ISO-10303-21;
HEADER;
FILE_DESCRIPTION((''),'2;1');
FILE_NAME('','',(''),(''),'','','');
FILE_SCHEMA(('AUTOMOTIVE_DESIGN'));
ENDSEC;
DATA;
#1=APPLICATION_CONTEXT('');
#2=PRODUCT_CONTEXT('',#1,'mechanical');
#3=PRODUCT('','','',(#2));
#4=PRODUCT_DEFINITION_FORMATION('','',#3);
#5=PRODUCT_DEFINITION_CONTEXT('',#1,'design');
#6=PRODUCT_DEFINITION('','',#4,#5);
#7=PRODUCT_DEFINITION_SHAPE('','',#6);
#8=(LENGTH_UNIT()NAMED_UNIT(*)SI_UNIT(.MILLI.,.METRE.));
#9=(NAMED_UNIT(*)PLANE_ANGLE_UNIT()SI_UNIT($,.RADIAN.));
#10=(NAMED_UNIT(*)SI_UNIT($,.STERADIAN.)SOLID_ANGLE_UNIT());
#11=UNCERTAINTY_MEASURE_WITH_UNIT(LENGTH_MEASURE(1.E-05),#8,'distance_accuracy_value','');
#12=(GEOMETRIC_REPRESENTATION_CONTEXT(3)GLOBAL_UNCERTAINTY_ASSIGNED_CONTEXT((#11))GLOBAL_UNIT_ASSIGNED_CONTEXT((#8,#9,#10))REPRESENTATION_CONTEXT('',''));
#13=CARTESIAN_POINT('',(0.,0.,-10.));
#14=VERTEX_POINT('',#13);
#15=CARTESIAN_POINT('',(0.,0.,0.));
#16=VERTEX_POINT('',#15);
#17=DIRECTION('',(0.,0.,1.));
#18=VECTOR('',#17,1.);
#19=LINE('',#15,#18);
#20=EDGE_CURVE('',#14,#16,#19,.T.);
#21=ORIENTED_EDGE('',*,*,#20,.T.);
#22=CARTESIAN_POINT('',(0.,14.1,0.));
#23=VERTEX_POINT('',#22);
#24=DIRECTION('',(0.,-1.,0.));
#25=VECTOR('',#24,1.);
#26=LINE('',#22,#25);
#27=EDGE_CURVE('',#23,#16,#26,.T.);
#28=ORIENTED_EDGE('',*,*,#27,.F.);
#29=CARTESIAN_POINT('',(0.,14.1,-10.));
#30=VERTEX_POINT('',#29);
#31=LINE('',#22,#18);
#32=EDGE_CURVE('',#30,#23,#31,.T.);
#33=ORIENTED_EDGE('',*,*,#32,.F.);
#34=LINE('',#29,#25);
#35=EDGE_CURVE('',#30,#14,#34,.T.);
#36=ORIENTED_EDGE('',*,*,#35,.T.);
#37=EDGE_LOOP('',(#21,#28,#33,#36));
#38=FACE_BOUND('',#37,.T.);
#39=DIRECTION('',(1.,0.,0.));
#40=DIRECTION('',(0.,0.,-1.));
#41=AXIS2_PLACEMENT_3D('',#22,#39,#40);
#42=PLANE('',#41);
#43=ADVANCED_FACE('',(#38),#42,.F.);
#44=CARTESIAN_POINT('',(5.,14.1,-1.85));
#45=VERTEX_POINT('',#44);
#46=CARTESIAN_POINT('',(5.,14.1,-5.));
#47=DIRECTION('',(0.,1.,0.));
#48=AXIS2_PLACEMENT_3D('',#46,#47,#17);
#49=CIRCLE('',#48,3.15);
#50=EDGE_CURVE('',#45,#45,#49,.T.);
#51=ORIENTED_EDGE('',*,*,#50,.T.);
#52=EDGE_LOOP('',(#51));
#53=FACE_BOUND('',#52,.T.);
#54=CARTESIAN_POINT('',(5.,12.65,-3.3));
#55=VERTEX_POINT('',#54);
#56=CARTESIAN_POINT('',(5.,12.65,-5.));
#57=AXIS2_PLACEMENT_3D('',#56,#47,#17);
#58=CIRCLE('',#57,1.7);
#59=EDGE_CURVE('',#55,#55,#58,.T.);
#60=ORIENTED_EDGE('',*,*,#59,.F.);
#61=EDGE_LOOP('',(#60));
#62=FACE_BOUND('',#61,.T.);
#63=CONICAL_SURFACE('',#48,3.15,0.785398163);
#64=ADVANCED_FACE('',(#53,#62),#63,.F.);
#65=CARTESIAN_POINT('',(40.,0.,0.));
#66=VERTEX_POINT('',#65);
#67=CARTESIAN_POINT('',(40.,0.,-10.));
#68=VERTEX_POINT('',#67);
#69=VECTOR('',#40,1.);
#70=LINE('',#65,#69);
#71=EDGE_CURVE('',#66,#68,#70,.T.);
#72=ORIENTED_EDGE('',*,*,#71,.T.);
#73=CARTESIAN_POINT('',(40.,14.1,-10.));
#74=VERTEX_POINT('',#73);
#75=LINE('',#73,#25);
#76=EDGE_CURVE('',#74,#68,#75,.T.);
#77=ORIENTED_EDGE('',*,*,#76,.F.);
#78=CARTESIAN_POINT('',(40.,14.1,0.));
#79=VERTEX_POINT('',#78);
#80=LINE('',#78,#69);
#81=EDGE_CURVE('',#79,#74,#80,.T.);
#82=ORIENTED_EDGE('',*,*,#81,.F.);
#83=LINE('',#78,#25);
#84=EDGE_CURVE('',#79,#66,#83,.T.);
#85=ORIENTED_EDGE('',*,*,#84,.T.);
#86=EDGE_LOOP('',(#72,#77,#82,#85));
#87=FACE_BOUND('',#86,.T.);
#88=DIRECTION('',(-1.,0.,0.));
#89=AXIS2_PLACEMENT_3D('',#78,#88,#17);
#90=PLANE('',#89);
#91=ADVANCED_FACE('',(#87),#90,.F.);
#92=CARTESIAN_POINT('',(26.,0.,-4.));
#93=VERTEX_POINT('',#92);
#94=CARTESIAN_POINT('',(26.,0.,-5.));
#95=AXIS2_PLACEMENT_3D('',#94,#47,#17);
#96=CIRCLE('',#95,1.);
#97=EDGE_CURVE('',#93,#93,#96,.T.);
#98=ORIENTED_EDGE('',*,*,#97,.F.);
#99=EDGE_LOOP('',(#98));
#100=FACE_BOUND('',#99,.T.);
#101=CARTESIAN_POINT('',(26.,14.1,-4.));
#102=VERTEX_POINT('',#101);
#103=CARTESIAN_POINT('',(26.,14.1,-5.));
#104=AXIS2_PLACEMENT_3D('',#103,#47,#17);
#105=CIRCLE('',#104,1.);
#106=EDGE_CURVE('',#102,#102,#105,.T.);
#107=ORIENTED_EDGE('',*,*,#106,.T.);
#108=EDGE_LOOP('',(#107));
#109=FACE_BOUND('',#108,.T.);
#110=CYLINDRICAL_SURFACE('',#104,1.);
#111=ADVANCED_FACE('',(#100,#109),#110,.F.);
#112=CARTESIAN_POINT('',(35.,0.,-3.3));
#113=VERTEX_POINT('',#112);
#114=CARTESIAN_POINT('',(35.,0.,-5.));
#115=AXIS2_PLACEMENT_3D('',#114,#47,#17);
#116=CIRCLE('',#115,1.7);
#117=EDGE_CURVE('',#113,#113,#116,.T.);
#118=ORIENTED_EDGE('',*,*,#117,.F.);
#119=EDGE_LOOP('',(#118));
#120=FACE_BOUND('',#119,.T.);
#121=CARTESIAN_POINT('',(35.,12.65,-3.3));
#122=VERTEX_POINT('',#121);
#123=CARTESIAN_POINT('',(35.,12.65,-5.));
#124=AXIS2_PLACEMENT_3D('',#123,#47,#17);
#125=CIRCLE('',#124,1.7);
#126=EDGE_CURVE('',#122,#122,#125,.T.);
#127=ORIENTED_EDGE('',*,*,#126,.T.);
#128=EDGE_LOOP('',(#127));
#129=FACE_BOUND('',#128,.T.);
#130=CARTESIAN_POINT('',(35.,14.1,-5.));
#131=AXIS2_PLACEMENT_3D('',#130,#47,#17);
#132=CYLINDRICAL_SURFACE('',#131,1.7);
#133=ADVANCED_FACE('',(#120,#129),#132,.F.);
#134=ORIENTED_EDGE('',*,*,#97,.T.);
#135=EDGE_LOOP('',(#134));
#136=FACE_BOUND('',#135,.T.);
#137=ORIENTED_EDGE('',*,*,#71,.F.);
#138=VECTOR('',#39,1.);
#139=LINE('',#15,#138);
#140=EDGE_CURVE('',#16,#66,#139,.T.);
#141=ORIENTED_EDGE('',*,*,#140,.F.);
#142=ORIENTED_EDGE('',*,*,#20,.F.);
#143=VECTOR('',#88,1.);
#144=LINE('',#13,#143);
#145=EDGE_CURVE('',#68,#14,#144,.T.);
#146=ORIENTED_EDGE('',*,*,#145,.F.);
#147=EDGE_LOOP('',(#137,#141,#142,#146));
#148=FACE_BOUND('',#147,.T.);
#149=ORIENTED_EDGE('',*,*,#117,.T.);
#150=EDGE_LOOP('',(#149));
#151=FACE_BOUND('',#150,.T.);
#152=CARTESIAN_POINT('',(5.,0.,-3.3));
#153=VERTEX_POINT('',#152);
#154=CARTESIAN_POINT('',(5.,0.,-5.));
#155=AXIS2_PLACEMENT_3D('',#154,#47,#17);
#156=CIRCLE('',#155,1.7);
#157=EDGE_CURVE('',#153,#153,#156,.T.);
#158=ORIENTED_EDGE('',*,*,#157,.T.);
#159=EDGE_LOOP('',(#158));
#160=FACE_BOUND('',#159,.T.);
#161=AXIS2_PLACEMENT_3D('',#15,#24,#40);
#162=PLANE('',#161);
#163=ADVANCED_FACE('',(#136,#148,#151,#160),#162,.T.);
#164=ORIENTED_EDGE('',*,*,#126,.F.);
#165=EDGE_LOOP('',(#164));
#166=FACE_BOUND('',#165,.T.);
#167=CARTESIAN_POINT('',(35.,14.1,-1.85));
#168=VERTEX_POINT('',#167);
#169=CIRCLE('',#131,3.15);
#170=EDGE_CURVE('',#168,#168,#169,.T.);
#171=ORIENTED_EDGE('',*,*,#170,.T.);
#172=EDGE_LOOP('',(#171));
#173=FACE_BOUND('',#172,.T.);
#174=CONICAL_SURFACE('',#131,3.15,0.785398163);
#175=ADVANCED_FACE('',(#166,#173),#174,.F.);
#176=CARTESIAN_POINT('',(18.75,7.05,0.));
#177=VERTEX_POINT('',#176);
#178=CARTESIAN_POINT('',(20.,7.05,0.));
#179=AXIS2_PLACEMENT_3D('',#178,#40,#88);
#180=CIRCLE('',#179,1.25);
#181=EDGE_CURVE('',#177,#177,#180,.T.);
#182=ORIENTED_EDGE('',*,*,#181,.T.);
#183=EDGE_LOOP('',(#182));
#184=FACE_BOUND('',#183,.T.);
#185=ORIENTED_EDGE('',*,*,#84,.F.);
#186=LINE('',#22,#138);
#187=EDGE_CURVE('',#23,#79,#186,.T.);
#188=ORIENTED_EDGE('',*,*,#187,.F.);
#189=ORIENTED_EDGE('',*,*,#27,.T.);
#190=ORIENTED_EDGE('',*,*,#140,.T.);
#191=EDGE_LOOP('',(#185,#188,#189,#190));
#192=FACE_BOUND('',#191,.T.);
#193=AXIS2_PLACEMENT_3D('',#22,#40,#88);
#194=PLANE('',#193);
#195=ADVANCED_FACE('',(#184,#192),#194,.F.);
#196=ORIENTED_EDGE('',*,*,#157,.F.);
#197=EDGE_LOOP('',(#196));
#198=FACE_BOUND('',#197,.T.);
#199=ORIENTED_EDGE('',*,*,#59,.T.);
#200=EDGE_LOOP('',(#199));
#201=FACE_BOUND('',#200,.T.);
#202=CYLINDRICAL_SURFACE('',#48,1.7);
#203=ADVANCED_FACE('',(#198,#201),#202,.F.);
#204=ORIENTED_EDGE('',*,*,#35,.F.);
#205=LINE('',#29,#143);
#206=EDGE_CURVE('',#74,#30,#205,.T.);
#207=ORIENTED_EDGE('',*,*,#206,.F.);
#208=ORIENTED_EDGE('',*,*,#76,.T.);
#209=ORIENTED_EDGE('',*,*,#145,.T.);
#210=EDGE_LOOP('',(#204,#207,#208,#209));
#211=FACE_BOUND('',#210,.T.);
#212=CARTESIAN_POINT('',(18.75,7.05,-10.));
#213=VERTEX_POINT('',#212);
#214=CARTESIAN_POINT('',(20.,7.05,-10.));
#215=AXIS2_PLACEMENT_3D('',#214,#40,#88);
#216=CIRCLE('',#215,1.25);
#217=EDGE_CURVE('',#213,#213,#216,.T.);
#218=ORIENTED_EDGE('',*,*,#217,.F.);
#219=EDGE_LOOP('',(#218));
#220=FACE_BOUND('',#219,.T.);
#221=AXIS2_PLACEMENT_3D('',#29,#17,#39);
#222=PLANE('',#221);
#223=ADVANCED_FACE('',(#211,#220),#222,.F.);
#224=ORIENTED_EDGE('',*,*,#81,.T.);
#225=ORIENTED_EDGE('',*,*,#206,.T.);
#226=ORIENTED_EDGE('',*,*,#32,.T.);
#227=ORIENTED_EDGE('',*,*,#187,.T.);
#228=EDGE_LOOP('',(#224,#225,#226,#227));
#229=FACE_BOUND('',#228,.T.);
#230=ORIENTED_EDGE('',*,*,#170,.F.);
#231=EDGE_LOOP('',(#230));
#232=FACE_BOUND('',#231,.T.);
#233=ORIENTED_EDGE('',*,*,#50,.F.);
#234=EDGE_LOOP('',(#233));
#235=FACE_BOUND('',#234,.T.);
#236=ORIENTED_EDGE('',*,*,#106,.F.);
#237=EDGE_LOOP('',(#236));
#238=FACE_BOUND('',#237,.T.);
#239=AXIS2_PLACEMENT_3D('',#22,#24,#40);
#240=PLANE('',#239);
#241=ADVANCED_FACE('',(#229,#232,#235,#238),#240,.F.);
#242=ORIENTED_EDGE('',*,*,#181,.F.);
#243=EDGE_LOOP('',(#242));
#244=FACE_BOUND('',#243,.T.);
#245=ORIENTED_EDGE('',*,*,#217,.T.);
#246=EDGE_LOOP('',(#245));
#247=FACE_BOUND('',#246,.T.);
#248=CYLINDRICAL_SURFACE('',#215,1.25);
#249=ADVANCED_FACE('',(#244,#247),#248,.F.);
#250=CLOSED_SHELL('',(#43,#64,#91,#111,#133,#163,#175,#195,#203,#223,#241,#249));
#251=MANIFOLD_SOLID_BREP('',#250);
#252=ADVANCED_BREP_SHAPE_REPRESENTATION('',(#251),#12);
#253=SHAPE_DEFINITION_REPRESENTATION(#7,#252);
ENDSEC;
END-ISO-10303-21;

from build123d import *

# Parameters (mm, degrees)
SKETCH1_W                                       = 40
SKETCH1_H                                       = 10
BOSS_EXTRUDE1_DEPTH                             = 14.1
CSK_FOR_M3_FLAT_HEAD_MACHINE_SCREW1_D           = 3.4
CSK_FOR_M3_FLAT_HEAD_MACHINE_SCREW1_CSINK_D     = 6.3
CSK_FOR_M3_FLAT_HEAD_MACHINE_SCREW1_CSINK_ANGLE = 90
M3X0_5_TAPPED_HOLE1_D                           = 2.5
F_2_0MM_DOWEL_HOLE1_D                           = 2


with BuildPart() as part:
    # Sketch1 → Boss-Extrude1 (new body)
    with BuildSketch(Plane(origin=(0, 0, 0), x_dir=(1, 0, 0), z_dir=(0, 1, 0))):
        with Locations((20, 5)):
            Rectangle(SKETCH1_W, SKETCH1_H)
    extrude(amount=BOSS_EXTRUDE1_DEPTH)

    # CSK for M3 Flat Head Machine Screw1 (through all)
    with Locations(Plane(origin=(5, 14.1, -5), x_dir=(0, 0, 1), z_dir=(0, 1, 0))):
        with Locations((0, 0), (0, 30)):
            CounterSinkHole(CSK_FOR_M3_FLAT_HEAD_MACHINE_SCREW1_D / 2, CSK_FOR_M3_FLAT_HEAD_MACHINE_SCREW1_CSINK_D / 2, counter_sink_angle=CSK_FOR_M3_FLAT_HEAD_MACHINE_SCREW1_CSINK_ANGLE)

    # M3x0.5 Tapped Hole1 (through all)
    with Locations(Plane(origin=(20, 7.05, -10), x_dir=(-1, 0, 0), z_dir=(0, 0, -1))):
        with Locations((0, 0)):
            Hole(M3X0_5_TAPPED_HOLE1_D / 2)

    # Ø2.0mm Dowel Hole1 (through all)
    with Locations(Plane(origin=(26, 14.1, -5), x_dir=(0, 0, 1), z_dir=(0, 1, 0))):
        with Locations((0, 0)):
            Hole(F_2_0MM_DOWEL_HOLE1_D / 2)


solid = part.part
